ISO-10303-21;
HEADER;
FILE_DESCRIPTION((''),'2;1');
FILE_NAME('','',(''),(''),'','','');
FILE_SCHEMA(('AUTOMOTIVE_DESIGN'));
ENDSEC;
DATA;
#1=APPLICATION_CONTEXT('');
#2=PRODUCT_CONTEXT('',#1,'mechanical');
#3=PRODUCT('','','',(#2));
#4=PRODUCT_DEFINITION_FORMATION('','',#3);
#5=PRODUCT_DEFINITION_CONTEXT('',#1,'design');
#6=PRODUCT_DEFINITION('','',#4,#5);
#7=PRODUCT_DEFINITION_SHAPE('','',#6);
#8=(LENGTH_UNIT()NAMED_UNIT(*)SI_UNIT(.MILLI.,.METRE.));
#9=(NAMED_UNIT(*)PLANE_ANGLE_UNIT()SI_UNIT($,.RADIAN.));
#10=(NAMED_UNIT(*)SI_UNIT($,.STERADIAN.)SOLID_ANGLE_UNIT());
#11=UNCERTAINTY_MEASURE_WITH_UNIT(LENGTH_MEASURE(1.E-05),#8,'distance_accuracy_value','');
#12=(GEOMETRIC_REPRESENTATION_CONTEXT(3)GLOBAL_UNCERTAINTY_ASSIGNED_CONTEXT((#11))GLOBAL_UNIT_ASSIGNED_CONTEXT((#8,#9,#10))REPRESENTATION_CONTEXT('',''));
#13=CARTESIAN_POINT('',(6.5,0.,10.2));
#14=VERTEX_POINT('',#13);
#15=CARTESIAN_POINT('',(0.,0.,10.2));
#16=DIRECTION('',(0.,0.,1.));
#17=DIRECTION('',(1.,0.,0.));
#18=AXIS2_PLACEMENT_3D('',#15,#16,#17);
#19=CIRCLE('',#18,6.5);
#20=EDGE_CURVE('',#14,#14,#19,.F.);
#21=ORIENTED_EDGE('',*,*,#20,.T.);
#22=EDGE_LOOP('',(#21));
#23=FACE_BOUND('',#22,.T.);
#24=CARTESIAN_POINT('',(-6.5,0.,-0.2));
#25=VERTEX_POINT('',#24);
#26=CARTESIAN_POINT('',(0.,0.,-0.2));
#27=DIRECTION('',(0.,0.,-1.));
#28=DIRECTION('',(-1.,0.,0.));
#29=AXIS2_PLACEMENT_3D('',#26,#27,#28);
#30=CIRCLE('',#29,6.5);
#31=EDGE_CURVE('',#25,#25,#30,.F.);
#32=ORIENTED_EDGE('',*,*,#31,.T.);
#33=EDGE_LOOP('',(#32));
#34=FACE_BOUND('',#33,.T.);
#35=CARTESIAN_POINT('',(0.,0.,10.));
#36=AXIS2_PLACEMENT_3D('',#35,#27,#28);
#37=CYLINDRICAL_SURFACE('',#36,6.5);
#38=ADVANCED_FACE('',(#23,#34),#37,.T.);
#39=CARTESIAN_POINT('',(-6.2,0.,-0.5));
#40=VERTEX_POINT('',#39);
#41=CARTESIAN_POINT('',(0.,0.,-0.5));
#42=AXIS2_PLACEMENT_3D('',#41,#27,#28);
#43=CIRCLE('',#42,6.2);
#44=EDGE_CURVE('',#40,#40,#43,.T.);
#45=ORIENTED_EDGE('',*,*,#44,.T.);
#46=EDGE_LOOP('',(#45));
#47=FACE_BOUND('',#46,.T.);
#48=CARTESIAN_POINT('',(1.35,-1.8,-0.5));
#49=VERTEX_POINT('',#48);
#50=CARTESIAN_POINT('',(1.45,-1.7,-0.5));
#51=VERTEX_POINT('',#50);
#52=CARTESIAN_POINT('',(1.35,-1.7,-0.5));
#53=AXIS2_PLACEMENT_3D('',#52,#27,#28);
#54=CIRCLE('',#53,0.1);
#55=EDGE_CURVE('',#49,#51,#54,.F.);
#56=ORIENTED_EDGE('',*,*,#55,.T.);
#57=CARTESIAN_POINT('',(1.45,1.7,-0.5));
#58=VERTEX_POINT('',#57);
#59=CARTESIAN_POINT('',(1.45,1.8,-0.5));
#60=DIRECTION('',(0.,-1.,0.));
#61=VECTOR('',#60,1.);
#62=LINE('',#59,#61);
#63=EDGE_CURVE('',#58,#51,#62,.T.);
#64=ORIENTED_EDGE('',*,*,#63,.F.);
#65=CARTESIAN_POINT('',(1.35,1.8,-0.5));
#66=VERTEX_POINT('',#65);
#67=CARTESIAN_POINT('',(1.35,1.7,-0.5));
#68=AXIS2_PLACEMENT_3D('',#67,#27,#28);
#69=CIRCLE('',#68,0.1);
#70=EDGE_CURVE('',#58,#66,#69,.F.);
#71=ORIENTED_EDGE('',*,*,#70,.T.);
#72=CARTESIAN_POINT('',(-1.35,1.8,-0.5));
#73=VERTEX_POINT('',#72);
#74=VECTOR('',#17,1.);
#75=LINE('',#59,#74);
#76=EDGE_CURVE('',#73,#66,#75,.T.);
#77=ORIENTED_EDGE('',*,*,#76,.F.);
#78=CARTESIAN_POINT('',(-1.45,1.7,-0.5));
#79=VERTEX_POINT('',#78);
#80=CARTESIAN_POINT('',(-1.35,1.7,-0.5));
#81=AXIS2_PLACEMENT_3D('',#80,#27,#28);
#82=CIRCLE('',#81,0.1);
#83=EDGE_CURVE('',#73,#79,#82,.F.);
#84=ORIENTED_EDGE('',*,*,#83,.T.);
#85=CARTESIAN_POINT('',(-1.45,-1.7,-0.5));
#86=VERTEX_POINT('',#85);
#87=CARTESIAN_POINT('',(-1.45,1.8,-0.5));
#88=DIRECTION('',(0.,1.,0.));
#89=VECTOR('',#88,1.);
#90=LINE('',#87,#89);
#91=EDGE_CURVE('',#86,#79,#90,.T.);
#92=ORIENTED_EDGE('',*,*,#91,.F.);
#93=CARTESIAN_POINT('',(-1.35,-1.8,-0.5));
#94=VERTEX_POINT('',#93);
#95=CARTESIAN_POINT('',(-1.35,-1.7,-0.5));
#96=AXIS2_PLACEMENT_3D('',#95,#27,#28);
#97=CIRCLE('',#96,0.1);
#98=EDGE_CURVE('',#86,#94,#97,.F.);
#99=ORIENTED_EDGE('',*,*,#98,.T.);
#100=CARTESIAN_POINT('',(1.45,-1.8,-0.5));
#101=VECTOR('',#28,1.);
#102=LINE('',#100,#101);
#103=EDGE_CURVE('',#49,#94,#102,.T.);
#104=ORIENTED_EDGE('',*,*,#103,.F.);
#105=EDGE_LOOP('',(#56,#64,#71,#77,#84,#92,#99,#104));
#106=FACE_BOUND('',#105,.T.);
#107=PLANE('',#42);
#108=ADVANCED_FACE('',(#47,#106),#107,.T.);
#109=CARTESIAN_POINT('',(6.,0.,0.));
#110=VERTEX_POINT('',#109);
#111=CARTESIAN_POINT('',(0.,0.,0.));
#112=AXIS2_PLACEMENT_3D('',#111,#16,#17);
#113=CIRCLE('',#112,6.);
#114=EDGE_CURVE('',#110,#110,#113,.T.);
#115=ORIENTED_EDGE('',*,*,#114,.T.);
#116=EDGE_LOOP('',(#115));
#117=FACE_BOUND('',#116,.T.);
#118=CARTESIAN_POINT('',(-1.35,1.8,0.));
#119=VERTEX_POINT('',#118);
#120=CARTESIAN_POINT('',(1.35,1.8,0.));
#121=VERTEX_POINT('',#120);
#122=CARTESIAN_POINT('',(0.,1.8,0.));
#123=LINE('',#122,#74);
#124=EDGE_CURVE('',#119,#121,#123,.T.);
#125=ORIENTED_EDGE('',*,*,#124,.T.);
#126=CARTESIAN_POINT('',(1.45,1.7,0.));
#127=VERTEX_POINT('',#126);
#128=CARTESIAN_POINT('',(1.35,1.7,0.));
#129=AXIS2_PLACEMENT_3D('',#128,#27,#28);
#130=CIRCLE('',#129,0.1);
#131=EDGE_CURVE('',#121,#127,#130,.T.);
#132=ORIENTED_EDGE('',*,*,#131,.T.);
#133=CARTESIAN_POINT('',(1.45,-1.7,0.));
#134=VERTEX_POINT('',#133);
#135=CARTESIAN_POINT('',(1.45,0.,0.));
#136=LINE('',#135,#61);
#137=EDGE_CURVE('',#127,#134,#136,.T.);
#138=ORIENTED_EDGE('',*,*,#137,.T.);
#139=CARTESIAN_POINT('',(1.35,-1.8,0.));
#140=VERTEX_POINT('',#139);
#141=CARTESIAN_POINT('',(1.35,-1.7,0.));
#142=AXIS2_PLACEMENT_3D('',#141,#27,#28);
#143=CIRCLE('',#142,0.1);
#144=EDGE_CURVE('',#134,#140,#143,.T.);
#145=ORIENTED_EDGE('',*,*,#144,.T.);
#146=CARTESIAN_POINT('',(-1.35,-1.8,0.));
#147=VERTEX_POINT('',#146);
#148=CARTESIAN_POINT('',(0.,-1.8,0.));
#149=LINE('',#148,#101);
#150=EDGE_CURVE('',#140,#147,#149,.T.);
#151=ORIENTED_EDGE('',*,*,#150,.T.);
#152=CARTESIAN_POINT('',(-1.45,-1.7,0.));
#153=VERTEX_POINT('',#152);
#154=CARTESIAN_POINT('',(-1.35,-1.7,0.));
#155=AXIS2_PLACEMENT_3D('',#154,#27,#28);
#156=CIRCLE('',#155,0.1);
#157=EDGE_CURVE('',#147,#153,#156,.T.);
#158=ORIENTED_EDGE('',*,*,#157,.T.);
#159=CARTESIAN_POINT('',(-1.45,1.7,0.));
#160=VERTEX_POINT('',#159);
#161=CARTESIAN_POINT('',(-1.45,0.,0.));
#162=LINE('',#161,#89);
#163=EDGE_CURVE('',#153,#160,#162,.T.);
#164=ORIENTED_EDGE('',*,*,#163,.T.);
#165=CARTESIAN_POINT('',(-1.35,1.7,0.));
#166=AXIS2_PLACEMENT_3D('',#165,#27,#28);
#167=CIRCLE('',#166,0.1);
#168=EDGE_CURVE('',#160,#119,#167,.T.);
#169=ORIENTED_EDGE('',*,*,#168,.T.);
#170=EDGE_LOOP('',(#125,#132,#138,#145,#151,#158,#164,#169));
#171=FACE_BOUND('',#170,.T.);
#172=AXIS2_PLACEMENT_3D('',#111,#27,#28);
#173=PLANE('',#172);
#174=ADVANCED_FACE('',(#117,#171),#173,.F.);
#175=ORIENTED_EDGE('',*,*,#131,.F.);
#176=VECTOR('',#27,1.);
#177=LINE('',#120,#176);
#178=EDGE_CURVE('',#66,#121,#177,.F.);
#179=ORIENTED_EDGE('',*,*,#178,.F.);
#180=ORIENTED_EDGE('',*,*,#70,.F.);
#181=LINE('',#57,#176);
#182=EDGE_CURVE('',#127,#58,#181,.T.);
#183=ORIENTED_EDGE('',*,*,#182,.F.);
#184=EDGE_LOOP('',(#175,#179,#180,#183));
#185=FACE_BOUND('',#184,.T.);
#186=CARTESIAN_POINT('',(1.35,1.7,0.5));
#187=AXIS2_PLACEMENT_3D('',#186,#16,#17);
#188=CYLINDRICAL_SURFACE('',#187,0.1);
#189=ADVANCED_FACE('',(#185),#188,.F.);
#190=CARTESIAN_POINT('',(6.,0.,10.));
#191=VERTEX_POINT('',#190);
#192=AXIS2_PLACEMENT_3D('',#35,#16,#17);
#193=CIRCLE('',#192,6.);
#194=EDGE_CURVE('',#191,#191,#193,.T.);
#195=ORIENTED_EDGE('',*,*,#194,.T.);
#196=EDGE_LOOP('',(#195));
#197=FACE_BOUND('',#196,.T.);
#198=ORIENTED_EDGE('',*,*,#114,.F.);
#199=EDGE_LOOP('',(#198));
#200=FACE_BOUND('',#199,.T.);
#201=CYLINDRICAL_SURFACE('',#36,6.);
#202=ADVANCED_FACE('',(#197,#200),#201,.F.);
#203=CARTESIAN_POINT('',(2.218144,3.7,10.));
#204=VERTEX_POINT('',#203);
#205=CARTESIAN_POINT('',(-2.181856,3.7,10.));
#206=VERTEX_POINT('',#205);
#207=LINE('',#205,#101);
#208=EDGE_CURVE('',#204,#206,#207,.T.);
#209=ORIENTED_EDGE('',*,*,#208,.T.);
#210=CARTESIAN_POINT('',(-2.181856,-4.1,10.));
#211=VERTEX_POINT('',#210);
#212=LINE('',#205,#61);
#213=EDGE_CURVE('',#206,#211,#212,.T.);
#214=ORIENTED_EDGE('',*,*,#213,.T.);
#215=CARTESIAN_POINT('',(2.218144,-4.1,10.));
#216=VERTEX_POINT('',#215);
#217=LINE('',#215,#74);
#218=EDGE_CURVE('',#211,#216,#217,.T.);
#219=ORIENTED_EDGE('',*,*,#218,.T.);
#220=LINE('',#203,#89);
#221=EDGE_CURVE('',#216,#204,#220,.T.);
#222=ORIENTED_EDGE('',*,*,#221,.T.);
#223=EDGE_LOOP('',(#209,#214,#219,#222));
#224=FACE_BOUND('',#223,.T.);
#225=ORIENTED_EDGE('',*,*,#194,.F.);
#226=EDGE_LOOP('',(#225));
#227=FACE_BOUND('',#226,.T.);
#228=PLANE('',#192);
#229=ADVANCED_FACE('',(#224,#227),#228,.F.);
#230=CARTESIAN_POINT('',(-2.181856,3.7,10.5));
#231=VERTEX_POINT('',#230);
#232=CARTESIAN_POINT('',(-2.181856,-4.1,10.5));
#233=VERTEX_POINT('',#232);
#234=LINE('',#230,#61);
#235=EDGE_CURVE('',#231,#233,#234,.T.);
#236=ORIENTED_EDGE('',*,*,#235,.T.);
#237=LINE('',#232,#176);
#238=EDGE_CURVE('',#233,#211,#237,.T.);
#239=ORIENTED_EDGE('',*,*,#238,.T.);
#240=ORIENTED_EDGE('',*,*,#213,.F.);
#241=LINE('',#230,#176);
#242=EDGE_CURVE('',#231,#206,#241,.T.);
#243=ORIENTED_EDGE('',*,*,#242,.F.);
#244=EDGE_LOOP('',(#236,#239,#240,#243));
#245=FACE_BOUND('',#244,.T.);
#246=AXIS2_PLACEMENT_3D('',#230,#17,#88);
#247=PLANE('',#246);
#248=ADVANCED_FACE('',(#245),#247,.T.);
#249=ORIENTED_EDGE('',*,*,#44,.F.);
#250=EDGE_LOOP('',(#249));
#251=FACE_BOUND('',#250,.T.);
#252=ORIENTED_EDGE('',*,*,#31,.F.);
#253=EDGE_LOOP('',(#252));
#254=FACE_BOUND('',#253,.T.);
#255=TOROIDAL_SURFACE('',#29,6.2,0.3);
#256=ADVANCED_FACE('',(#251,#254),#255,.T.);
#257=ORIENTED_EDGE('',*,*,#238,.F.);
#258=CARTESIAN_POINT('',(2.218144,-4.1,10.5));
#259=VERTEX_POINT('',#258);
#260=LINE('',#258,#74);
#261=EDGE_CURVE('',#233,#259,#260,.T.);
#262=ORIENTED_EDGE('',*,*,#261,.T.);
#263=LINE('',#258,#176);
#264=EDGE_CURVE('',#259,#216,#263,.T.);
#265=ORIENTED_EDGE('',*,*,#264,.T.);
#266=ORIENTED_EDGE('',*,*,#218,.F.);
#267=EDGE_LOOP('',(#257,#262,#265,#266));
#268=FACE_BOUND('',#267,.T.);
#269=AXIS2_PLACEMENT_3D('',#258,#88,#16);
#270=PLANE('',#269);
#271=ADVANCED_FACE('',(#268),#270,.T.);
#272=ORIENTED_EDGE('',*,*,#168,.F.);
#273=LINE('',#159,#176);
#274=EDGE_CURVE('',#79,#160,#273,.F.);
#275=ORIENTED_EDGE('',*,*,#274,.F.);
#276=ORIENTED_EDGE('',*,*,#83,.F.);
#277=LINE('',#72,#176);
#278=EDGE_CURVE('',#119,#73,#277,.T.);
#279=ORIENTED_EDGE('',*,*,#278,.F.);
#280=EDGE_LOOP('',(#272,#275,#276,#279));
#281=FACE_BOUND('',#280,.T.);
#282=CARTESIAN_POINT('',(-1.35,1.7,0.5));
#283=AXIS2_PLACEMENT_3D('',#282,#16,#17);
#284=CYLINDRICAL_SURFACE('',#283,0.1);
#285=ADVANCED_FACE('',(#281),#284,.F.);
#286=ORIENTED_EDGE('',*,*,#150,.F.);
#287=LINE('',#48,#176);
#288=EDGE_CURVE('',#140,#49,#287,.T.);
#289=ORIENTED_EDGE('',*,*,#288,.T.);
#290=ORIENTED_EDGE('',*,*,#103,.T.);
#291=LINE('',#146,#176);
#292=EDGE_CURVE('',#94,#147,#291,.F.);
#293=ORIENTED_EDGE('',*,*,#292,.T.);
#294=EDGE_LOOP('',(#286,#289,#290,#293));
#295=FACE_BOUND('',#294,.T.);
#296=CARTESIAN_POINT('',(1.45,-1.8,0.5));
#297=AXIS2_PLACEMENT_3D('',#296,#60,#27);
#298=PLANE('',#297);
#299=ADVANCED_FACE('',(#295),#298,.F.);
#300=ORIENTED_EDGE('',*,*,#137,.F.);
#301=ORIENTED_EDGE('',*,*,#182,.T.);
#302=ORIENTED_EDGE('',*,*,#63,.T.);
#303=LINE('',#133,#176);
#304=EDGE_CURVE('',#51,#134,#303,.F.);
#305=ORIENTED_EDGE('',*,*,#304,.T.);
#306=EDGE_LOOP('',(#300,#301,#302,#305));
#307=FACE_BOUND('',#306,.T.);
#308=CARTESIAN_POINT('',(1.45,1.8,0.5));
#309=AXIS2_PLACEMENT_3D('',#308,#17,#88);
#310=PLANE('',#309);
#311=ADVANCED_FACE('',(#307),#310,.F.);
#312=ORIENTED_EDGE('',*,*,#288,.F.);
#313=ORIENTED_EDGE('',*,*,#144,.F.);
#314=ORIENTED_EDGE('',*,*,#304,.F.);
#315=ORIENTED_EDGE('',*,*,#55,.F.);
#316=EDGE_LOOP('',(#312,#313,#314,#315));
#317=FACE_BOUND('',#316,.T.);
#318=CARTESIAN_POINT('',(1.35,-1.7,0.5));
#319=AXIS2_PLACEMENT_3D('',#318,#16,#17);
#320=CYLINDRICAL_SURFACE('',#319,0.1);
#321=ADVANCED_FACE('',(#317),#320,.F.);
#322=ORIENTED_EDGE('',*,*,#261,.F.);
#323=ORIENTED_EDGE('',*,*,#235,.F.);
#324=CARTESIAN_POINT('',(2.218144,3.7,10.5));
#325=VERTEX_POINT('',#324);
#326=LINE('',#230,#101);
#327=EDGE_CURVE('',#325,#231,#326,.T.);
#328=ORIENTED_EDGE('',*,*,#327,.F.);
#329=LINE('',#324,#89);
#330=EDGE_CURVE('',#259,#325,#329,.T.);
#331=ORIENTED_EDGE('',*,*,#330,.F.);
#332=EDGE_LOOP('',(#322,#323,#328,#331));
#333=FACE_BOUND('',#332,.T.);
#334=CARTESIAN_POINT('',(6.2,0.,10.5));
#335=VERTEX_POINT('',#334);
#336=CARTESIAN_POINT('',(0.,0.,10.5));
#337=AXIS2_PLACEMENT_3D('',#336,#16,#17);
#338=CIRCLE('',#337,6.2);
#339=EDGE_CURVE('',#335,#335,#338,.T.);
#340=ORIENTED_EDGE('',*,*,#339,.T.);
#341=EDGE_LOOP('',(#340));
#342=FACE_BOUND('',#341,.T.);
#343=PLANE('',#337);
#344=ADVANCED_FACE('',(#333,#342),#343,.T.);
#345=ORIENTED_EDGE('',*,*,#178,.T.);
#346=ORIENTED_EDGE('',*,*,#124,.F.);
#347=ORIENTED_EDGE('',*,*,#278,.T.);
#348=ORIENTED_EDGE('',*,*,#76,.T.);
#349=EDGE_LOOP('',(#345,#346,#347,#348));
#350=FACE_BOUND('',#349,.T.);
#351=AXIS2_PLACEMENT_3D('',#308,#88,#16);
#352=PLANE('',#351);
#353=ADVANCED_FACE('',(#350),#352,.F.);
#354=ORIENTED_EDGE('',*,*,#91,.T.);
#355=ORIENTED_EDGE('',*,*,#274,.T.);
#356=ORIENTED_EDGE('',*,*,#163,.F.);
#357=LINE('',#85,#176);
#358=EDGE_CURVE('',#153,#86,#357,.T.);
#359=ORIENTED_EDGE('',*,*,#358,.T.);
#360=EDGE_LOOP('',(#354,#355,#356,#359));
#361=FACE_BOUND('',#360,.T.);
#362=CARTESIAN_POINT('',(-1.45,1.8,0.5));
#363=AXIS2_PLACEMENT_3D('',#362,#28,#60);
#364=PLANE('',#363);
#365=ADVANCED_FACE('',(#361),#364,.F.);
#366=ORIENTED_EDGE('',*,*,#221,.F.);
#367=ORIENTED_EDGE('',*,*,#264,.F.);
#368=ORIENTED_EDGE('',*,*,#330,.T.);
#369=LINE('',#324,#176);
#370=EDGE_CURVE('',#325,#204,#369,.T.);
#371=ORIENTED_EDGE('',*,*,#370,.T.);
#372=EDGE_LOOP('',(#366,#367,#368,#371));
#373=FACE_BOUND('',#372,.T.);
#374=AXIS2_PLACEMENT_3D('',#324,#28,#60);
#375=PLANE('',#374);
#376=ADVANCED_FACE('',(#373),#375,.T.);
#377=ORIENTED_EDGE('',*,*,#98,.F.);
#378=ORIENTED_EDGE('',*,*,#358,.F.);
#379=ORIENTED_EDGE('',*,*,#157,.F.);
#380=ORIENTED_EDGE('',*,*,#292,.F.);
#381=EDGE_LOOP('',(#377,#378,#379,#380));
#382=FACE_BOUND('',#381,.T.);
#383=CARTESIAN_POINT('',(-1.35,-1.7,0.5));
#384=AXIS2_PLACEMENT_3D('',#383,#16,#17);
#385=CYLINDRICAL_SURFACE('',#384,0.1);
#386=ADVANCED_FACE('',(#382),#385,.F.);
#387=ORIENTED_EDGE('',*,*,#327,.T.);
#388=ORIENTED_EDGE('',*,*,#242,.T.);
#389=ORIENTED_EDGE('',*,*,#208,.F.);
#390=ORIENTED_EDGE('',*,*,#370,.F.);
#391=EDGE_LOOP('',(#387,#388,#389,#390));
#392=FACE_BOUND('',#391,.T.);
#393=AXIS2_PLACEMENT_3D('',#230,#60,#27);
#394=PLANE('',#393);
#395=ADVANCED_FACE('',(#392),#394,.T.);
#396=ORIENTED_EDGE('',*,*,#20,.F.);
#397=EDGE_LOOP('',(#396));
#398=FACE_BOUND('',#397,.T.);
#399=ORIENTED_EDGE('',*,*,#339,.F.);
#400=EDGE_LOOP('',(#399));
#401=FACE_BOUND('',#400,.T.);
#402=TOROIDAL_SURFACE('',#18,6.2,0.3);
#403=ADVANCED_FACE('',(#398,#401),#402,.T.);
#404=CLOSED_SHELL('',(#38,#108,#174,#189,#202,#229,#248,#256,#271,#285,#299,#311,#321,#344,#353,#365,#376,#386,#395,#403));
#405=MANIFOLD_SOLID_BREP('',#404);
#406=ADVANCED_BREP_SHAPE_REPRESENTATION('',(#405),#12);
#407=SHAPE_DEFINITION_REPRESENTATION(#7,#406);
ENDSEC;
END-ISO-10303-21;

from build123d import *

# Parameters (mm, degrees)
SKETCH1_R           = 6.5
SKETCH1_R_2         = 6
BOSS_EXTRUDE1_DEPTH = 10
BOSS_EXTRUDE2_START = 0.5
SKETCH2_R           = 6.5
BOSS_EXTRUDE2_DEPTH = 0.5
SKETCH3_R           = 6.5
SKETCH3_W           = 4.4
SKETCH3_H           = 7.8
BOSS_EXTRUDE3_DEPTH = 0.5
SKETCH4_W           = 2.9
SKETCH4_H           = 3.6
CUT_EXTRUDE1_DEPTH  = 1
FILLET1_R           = 0.1
FILLET2_R           = 0.3


with BuildPart() as part:
    # Sketch1 → Boss-Extrude1 (new body)
    with BuildSketch(Plane.XY):
        Circle(SKETCH1_R)
        Circle(SKETCH1_R_2, mode=Mode.SUBTRACT)
    extrude(amount=BOSS_EXTRUDE1_DEPTH)

    # Sketch2 → Boss-Extrude2 (add)
    with BuildSketch(Plane(origin=(0, 0, 0), x_dir=(-1, 0, 0), z_dir=(0, 0, -1)).offset(BOSS_EXTRUDE2_START)):
        Circle(SKETCH2_R)
    extrude(amount=-BOSS_EXTRUDE2_DEPTH)

    # Sketch3 → Boss-Extrude3 (add)
    with BuildSketch(Plane.XY.offset(10)):
        with Locations(Location((0, 0, 0), (0, 0, 180))):
            Circle(SKETCH3_R)
        with Locations((0.018144407, -0.2)):
            Rectangle(SKETCH3_W, SKETCH3_H, mode=Mode.SUBTRACT)
    extrude(amount=BOSS_EXTRUDE3_DEPTH)

    # Sketch4 → Cut-Extrude1 (cut)
    with BuildSketch(Plane(origin=(0, 0, -0.5), x_dir=(-1, 0, 0), z_dir=(0, 0, -1))):
        Rectangle(SKETCH4_W, SKETCH4_H)
    extrude(amount=-CUT_EXTRUDE1_DEPTH, mode=Mode.SUBTRACT)

    # Fillet1
    fillet1_edges = [part.edges().sort_by_distance(p)[0] for p in [
        (-1.45, 1.8, -0.25),
        (-1.45, -1.8, -0.25),
        (1.45, -1.8, -0.25),
        (1.45, 1.8, -0.25),
    ]]
    fillet(fillet1_edges, radius=FILLET1_R)

    # Fillet2
    fillet2_edges = [part.edges().sort_by_distance(p)[0] for p in [
        (6.5, 0, -0.5),
        (6.5, 0, 10.5),
    ]]
    fillet(fillet2_edges, radius=FILLET2_R)


solid = part.part
